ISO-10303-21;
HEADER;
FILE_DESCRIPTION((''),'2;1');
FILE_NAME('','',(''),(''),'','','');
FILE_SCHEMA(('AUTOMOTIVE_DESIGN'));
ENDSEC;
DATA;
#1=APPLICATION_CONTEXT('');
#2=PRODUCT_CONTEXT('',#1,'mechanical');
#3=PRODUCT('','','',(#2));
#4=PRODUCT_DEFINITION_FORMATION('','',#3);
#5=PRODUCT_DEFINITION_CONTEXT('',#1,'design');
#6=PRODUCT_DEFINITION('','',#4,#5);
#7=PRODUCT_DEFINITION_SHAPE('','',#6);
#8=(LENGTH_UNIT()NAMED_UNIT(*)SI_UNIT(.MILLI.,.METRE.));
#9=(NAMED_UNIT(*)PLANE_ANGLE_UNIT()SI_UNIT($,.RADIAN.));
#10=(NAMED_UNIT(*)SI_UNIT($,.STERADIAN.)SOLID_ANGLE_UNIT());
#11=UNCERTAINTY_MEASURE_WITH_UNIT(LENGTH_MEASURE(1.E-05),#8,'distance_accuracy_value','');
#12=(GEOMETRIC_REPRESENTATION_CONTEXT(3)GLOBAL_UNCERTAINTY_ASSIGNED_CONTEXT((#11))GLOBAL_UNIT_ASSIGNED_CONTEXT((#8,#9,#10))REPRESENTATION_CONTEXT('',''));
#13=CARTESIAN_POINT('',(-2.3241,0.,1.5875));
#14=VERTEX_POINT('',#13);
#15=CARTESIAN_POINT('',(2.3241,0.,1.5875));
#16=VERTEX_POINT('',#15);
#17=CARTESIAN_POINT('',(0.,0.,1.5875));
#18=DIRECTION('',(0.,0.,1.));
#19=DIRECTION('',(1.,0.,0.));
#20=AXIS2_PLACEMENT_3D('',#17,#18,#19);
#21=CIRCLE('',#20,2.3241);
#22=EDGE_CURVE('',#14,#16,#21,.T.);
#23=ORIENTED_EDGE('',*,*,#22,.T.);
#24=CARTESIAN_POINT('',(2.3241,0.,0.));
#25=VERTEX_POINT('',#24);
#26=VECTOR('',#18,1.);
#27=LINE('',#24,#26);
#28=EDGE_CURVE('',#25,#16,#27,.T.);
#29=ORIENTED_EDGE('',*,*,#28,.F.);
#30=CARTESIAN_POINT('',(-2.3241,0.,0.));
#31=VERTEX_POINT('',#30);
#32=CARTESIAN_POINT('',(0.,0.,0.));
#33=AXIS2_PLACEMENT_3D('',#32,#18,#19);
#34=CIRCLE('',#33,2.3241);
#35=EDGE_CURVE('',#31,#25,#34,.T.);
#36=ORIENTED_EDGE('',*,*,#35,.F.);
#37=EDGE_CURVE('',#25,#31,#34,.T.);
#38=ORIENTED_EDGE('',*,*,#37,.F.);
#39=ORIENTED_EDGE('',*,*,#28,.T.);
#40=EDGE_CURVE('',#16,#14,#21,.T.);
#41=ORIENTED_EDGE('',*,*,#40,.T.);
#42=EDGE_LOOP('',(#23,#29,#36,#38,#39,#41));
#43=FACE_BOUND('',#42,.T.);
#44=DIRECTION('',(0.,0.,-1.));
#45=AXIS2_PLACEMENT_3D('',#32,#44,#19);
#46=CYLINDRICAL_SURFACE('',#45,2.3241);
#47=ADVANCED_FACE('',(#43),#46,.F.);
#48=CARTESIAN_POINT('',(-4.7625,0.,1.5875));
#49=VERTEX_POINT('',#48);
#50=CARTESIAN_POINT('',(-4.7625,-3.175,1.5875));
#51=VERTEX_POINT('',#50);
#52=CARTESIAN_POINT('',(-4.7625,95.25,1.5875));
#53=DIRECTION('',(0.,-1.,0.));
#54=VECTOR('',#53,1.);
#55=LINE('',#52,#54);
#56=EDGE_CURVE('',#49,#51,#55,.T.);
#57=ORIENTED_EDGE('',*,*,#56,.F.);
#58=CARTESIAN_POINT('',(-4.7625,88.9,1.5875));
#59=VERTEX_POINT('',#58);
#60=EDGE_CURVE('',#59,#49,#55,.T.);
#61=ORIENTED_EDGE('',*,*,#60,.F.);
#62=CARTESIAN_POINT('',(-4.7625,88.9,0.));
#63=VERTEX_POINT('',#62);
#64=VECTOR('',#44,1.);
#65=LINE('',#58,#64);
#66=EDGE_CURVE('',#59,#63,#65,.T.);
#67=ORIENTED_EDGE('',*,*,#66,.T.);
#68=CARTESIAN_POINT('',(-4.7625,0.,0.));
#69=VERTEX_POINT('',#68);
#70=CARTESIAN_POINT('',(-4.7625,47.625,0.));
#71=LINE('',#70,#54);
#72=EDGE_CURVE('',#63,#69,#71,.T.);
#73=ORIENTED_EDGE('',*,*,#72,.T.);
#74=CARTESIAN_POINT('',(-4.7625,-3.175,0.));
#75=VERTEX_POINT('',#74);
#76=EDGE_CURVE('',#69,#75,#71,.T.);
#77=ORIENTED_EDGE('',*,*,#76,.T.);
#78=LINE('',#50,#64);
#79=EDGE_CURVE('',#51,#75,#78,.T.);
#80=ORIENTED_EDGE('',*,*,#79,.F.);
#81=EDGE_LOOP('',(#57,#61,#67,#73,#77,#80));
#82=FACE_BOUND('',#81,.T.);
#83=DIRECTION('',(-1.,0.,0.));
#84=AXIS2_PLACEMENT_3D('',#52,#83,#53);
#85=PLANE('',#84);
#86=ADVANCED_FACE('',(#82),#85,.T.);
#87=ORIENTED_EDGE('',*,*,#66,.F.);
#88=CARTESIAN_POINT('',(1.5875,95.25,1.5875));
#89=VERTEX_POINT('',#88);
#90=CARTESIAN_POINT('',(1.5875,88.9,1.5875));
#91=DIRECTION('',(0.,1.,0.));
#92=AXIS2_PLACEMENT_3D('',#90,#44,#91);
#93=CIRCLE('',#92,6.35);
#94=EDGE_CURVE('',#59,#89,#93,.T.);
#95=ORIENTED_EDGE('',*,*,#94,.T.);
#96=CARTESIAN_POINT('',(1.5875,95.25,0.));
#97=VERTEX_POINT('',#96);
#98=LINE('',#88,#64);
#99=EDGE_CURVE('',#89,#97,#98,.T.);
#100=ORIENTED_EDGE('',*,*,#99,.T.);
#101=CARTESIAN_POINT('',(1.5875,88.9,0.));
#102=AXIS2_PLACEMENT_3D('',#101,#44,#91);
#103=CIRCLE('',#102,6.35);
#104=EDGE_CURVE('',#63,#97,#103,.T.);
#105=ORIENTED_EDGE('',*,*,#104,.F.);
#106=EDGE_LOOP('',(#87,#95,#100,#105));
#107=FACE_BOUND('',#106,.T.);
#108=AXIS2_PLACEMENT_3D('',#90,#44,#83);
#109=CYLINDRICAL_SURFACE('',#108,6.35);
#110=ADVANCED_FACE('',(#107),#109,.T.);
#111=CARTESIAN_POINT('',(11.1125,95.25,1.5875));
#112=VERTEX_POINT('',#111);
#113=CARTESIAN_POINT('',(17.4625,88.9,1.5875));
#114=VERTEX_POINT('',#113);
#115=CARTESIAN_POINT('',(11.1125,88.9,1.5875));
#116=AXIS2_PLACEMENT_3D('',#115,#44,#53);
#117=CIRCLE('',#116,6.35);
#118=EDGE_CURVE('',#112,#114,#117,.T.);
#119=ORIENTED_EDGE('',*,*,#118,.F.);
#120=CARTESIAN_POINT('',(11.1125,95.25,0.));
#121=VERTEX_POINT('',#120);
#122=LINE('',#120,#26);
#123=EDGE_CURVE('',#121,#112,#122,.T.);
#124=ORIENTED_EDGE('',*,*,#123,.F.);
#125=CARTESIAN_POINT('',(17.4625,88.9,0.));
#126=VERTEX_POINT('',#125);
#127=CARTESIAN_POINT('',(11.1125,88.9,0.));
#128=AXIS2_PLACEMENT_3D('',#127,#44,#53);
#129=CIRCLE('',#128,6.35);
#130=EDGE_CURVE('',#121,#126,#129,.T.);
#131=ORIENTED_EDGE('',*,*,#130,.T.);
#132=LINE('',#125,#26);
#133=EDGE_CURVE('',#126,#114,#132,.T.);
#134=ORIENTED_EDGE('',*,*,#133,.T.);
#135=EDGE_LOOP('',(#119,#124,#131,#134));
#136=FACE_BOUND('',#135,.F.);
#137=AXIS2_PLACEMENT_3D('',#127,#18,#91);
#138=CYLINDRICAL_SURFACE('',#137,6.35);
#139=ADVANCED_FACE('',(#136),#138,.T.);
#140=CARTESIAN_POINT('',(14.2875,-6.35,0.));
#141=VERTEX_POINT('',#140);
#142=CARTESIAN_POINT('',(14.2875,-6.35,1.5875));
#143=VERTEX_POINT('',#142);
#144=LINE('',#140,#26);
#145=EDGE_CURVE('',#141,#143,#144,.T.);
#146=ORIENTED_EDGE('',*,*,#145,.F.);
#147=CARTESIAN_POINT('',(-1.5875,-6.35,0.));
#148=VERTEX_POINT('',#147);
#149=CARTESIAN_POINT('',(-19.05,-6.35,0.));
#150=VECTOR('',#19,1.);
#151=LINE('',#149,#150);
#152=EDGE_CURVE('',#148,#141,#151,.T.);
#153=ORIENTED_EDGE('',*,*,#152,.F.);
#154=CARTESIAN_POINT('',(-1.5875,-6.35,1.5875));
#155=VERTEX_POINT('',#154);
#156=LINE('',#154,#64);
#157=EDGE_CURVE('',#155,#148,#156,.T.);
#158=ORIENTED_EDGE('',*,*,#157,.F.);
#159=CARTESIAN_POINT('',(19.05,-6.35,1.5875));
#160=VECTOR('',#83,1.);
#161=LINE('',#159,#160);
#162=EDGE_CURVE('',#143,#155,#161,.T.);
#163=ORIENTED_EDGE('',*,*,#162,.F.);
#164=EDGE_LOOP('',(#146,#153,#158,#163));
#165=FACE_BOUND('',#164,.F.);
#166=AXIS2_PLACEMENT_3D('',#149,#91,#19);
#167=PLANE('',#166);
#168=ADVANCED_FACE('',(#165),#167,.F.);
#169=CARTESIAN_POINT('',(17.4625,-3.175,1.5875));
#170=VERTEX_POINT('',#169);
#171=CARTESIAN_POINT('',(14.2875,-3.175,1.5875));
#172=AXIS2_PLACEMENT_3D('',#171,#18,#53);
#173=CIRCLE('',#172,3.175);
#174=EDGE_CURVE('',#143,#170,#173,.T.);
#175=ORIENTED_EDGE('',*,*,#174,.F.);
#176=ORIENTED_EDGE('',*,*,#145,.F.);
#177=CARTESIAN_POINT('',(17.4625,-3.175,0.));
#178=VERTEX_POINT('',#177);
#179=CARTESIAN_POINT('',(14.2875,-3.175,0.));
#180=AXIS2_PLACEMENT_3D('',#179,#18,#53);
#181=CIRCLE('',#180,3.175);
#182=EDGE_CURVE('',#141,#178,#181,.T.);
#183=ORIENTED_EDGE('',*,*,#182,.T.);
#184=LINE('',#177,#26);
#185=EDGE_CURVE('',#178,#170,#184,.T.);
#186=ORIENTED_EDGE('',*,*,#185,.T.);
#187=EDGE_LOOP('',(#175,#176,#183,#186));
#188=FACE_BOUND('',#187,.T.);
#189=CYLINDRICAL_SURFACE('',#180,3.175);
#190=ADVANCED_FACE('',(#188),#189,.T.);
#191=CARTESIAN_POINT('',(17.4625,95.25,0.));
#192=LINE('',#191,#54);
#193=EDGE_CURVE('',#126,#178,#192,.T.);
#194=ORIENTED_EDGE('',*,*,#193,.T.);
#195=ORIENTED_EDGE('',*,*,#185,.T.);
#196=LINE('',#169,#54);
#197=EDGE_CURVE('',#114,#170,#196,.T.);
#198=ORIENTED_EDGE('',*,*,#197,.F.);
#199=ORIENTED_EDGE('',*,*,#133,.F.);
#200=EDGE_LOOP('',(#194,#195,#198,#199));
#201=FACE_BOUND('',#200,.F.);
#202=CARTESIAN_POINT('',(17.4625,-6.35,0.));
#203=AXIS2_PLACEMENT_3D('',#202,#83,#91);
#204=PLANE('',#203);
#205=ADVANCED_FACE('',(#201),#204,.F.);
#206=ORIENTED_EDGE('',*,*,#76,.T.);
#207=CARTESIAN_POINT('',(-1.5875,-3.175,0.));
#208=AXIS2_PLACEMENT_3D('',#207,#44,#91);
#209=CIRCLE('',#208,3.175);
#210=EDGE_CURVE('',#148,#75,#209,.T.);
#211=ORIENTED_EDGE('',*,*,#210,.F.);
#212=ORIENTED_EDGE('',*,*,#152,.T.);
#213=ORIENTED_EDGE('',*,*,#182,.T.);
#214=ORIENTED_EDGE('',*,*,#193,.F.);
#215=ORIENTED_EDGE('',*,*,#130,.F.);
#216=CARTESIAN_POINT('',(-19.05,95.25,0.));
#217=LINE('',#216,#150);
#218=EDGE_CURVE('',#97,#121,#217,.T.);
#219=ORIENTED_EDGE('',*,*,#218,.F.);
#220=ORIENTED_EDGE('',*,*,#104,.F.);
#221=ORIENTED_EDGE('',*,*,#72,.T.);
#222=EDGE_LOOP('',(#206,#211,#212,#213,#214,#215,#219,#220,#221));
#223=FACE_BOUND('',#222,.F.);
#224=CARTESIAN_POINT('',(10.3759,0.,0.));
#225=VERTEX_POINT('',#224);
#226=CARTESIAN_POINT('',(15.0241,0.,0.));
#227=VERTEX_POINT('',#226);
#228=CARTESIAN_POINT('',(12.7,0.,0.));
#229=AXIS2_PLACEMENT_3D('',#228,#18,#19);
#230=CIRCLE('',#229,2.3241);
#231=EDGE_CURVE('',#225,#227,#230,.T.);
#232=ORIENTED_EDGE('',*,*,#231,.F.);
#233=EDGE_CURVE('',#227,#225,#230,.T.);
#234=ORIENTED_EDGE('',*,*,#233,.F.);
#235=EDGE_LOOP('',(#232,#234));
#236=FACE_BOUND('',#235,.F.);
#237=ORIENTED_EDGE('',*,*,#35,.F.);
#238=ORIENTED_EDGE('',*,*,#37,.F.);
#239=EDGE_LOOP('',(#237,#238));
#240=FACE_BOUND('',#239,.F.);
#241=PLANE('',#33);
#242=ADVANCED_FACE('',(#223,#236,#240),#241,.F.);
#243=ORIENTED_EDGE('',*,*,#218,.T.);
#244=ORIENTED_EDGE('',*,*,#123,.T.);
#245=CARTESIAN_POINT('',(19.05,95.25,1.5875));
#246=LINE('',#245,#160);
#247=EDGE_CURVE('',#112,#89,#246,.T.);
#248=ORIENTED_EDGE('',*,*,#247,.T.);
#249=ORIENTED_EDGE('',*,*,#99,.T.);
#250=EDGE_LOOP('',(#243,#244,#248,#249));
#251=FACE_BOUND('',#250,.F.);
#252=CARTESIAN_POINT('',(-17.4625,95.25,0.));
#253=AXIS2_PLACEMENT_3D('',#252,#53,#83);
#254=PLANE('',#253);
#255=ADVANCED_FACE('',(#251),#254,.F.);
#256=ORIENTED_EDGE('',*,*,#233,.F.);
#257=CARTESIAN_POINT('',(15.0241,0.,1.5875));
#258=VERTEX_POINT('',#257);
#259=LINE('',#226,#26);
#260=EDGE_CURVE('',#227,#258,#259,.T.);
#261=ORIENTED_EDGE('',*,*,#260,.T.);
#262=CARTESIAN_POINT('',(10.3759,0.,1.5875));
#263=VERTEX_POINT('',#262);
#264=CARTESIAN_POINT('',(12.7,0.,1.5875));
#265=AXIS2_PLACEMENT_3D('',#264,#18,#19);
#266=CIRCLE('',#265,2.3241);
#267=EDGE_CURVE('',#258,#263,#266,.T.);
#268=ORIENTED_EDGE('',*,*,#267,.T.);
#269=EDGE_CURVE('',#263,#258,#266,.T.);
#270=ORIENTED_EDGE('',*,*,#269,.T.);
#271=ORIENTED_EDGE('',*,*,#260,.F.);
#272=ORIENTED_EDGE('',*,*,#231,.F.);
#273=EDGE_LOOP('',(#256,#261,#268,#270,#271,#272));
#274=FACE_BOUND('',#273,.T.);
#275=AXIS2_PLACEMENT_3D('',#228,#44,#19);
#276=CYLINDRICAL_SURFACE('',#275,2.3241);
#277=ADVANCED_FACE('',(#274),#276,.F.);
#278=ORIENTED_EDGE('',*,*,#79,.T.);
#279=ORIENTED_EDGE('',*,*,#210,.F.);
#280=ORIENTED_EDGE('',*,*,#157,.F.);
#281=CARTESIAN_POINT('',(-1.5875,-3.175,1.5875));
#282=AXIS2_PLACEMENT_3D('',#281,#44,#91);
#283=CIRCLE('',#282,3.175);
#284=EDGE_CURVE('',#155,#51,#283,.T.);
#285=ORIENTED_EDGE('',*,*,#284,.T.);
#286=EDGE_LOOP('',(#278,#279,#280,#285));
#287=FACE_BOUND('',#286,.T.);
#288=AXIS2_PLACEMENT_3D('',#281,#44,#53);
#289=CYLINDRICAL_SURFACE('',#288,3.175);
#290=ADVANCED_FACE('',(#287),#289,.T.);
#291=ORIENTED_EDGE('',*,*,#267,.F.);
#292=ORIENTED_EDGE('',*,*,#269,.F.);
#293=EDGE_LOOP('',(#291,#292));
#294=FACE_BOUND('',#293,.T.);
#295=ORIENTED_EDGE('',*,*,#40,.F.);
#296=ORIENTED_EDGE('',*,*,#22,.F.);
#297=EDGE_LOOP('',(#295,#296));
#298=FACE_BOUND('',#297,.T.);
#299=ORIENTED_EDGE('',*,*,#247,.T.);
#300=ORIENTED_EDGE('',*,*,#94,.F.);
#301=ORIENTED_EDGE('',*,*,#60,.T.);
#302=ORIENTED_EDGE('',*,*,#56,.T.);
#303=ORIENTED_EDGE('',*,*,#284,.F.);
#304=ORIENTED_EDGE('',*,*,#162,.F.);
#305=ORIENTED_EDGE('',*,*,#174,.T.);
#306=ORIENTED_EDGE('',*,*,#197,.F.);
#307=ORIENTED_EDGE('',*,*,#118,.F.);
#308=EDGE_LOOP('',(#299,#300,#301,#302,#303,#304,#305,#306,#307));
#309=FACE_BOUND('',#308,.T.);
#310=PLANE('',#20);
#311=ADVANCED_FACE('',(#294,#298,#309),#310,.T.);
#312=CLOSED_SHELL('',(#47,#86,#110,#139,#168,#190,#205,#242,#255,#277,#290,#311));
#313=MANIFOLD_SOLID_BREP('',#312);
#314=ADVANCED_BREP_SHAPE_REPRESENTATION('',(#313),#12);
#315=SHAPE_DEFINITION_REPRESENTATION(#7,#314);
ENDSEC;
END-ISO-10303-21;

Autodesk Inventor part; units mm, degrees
ref_plane "YZ Plane" through (0, 0, 0) normal (1, 0, 0) x (0, 1, 0)
ref_plane "XZ Plane" through (0, 0, 0) normal (0, 1, 0) x (-1, 0, 0)
ref_plane "XY Plane" through (0, 0, 0) normal (0, 0, 1) x (1, 0, 0)
sketch "Sketch1" plane through (0, 0, 0) normal (0, 0, 1) x (1, 0, 0)
  circle A0 centre (0, 0) radius 2.3241
  line L0 (0, 0) -> (12.7, 0)
  line L1 (0, 0) -> (-12.7, 0)
  circle A1 centre (-12.7, 0) radius 2.3241
  circle A2 centre (12.7, 0) radius 2.3241
  line L2 (-19.05, -6.35) -> (19.05, -6.35)
  line L3 (19.05, -6.35) -> (19.05, 6.35)
  line L4 (19.05, 6.35) -> (-19.05, 6.35)
  line L5 (-19.05, 6.35) -> (-19.05, -6.35)
  line L6 (-19.05, -6.35) -> (19.05, 6.35) construction
  line L7 (19.05, -6.35) -> (-19.05, 6.35) construction
  line L8 (-19.05, 6.35) -> (19.05, 6.35)
  line L9 (19.05, 6.35) -> (19.05, 95.25)
  line L10 (19.05, 95.25) -> (-19.05, 95.25)
  line L11 (-19.05, 95.25) -> (-19.05, 6.35)
  line L12 (-19.05, -6.35) -> (-17.4625, -6.35)
  line L13 (19.05, -6.35) -> (17.4625, -6.35)
  line L14 (-17.4625, -6.35) -> (-17.4625, 95.25)
  line L15 (17.4625, -6.35) -> (17.4625, 95.25)
  dimension "d0" = 4.6482
  dimension "d1" = 12.7
  dimension "d2" = 12.7
  dimension "d3" = 4.6482
  dimension "d4" = 4.6482
  dimension "d5" = 38.1
  dimension "d6" = 12.7
  dimension "d7" = 88.9
  dimension "d8" = 38.1
  dimension "d11" = 1.5875
  dimension "d12" = 1.5875
extrude "Extrusion1" add sketch "Sketch1" along normal blind 1.5875
extrude "Extrusion2" cut sketch "Sketch1" along normal through all contours L5 L4 L14 L2 | L11 L10 L14 L4 | L15 L4 L3 L2 | L15 L10 L9 L4
fillet "Fillet1" radius 3.175 2 edges at (-17.4625, -6.35, 0.7937) (17.4625, -6.35, 0.7937)
fillet "Fillet2" radius 6.35 2 edges at (-17.4625, 95.25, 0.7937) (17.4625, 95.25, 0.7937)
sketch "Sketch2" plane through (0, 0, 1.5875) normal (0, 0, 1) x (1, 0, 0)
  arc A0 (17.4625, 88.9) -> (11.1125, 95.25) centre (11.1125, 88.9) ccw projected
  line L0 (11.1125, 95.25) -> (-11.1125, 95.25) projected
  arc A1 (-11.1125, 95.25) -> (-17.4625, 88.9) centre (-11.1125, 88.9) ccw projected
  line L1 (-17.4625, 88.9) -> (-17.4625, -3.175) projected
  arc A2 (-17.4625, -3.175) -> (-14.2875, -6.35) centre (-14.2875, -3.175) ccw projected
  line L2 (-14.2875, -6.35) -> (14.2875, -6.35) projected
  arc A3 (14.2875, -6.35) -> (17.4625, -3.175) centre (14.2875, -3.175) ccw projected
  line L3 (17.4625, -3.175) -> (17.4625, 88.9) projected
  circle A4 centre (12.7, 0) radius 2.3241 projected
  circle A5 centre (0, 0) radius 2.3241 projected
  circle A6 centre (-12.7, 0) radius 2.3241 projected
  line L4 (-17.4625, 10.0615) -> (-4.7625, 10.0615)
  line L5 (-4.7625, -6.35) -> (-31.8174, -6.35)
  line L6 (-31.8174, -6.35) -> (-31.8174, 101.6265)
  line L7 (-31.8174, 101.6265) -> (-4.7625, 101.6265)
  line L8 (-4.7625, 101.6265) -> (-4.7625, -6.35)
  point P0 (-4.7625, 95.25)
  dimension "d17" = 12.7
extrude "Extrusion3" cut sketch "Sketch2" against normal blind 25.4 contours L8 L4 L1 A1 L0 | L8 L2 A2 L1 L4
fillet "Fillet3" radius 3.175 1 edges at (-4.7625, -6.35, 0.7937)
fillet "Fillet4" radius 6.35 1 edges at (-4.7625, 95.25, 0.7937)
properties part number "American Flag Replacement"
